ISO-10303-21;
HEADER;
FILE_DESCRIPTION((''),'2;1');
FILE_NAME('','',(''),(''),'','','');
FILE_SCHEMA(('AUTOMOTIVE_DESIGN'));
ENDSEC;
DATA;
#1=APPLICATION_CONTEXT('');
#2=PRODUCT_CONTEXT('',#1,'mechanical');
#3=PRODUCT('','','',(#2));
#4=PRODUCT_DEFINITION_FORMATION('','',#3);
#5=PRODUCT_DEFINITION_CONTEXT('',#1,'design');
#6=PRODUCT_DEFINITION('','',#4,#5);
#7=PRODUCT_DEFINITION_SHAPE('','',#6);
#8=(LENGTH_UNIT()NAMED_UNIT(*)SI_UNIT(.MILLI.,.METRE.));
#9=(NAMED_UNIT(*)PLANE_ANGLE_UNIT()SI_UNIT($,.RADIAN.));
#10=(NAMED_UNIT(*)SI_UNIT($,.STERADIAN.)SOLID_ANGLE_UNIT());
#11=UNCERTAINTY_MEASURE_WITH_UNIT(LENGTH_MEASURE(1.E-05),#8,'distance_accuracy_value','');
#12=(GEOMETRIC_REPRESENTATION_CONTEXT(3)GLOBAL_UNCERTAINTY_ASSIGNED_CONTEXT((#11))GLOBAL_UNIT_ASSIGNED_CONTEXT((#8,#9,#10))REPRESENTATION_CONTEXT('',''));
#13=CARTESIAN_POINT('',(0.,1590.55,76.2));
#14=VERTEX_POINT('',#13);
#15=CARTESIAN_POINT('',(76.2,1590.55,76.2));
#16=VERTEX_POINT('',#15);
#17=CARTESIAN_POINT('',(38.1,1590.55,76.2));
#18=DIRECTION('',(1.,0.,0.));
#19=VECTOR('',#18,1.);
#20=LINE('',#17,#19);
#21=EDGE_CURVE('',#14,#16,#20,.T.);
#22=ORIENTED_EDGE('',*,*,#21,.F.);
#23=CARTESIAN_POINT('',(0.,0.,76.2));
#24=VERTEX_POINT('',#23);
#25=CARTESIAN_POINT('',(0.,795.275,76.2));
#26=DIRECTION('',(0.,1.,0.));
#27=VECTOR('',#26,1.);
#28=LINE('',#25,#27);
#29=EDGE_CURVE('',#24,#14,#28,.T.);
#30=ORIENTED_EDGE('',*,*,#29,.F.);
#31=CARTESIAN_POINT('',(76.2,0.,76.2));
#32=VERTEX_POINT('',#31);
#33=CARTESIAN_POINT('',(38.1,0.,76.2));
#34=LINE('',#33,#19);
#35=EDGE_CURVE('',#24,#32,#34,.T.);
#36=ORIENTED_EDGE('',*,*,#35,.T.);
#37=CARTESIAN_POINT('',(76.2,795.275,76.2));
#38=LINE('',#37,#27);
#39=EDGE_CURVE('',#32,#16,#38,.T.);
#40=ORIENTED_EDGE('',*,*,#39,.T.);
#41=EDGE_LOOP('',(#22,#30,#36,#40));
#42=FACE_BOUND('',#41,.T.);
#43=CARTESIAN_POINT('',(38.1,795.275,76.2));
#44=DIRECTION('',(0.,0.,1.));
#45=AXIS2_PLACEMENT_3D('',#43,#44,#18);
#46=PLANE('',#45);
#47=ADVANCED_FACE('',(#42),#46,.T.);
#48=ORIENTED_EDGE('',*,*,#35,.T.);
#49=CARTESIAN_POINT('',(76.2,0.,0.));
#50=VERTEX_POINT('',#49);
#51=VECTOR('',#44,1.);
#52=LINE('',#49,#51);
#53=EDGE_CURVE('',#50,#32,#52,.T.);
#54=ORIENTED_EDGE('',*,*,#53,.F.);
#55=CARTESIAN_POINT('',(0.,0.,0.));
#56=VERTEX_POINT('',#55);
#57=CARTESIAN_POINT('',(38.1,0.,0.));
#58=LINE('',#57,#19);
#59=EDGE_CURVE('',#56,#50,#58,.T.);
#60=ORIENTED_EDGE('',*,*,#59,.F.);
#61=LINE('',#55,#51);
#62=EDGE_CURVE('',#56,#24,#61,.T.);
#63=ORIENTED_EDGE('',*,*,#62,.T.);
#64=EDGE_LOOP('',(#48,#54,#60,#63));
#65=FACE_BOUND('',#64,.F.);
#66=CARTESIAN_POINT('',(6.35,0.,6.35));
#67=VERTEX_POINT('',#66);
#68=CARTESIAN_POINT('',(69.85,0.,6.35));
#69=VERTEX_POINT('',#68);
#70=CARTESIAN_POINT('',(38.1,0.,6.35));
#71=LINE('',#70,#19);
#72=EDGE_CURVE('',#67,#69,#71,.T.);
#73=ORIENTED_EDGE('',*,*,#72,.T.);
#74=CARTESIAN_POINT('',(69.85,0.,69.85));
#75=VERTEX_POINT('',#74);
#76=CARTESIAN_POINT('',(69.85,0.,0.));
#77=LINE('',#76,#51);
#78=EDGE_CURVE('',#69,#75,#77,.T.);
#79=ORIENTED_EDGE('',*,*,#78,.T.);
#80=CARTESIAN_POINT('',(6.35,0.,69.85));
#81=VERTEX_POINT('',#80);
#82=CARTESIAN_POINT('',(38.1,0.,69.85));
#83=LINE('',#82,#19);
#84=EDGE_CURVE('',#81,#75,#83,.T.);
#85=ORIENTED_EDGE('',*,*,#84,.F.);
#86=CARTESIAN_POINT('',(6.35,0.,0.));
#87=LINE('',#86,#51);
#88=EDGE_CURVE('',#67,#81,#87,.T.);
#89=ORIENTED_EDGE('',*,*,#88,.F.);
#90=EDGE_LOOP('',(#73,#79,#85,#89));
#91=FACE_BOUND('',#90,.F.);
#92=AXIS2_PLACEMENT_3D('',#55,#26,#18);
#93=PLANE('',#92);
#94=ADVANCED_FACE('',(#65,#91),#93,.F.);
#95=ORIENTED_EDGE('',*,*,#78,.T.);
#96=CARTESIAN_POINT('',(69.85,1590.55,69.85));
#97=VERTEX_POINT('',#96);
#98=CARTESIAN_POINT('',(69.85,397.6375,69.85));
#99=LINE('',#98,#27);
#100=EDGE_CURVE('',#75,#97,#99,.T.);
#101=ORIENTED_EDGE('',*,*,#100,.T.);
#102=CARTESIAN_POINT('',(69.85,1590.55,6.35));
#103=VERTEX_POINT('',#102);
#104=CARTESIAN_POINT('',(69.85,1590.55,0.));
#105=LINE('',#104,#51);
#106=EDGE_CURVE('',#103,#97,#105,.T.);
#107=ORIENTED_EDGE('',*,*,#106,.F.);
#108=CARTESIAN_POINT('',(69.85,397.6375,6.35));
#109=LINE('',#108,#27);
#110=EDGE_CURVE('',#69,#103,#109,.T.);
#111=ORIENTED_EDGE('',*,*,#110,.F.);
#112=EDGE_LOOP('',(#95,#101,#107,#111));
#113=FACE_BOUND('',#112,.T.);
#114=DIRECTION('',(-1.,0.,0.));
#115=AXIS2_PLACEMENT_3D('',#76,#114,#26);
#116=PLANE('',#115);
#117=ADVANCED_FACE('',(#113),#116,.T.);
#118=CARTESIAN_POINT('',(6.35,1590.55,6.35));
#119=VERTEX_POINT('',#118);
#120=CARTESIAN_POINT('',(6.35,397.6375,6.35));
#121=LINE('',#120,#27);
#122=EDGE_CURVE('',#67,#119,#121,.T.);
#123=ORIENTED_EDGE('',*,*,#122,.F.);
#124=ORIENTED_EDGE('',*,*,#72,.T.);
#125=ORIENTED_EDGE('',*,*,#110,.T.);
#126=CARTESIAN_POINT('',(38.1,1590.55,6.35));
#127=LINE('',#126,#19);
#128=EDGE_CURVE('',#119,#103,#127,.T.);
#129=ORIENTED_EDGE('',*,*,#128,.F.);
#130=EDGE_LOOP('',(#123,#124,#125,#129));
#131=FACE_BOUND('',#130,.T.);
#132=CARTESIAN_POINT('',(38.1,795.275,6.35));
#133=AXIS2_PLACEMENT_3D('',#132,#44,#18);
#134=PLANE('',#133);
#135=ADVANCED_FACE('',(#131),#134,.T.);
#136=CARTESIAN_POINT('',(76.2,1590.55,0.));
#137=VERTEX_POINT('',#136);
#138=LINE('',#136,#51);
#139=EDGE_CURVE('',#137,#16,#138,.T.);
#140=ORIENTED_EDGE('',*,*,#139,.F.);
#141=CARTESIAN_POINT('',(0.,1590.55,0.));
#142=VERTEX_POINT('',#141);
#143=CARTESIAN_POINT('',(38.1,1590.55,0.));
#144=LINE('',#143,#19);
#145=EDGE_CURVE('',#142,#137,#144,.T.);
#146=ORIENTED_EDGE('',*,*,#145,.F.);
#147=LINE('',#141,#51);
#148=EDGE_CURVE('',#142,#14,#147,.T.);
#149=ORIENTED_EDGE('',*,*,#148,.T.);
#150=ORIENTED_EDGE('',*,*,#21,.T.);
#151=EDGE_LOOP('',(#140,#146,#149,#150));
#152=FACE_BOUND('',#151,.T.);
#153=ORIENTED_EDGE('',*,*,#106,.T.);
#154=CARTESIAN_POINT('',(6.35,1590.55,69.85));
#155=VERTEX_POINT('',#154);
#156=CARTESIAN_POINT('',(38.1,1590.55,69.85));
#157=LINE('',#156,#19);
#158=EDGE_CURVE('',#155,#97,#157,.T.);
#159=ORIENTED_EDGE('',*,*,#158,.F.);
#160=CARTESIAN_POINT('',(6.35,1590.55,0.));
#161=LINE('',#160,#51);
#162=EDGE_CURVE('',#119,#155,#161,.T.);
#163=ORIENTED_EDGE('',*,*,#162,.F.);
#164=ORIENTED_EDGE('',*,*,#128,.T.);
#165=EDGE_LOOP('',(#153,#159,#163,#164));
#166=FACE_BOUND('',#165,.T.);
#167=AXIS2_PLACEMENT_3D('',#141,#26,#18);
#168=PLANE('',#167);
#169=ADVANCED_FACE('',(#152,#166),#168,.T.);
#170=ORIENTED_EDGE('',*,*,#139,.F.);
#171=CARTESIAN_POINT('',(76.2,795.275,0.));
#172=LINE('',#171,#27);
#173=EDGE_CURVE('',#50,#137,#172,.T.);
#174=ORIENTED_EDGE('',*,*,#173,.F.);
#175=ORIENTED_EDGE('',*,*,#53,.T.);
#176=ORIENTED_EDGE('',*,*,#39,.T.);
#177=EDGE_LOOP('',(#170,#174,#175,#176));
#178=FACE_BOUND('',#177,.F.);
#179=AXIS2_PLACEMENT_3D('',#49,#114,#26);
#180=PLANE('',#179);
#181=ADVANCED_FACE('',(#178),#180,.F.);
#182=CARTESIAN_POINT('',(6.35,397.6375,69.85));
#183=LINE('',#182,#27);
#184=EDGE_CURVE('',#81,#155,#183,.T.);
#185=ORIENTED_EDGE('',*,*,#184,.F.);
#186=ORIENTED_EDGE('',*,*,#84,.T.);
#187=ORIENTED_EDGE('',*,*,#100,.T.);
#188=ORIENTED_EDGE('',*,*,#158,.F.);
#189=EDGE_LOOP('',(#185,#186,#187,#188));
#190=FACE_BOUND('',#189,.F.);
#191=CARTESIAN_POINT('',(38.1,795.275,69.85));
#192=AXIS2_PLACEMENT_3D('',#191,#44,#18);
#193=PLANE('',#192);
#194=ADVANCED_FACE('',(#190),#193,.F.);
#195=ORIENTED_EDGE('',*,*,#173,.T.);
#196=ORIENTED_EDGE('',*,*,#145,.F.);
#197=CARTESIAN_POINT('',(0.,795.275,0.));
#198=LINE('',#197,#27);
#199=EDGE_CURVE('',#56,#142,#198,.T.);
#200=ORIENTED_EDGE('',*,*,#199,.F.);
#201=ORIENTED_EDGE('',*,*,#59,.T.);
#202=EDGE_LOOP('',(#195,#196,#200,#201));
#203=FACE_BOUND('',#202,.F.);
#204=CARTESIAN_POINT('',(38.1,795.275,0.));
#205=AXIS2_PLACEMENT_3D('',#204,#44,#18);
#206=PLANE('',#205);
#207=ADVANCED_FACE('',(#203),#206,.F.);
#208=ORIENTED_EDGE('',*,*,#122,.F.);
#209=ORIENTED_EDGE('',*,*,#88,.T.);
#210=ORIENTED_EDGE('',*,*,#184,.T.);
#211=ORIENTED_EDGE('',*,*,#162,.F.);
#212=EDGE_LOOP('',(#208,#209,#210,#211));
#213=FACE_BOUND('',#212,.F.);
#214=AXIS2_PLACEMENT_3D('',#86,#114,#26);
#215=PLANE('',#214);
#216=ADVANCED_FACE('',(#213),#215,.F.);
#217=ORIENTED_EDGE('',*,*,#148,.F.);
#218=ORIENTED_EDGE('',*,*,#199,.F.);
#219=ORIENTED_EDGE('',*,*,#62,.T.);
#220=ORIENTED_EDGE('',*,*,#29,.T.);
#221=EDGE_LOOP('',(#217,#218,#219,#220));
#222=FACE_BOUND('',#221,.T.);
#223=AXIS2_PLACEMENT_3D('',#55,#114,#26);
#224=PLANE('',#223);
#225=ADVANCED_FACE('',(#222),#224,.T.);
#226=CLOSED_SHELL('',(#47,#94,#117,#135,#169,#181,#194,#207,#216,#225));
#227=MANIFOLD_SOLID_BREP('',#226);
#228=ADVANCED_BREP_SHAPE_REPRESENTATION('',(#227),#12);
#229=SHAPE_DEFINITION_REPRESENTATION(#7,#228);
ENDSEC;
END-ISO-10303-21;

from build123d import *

# Parameters (mm, degrees)
BOX_W       = 76.2
BOX_H       = 1590.55
BOX_DEPTH   = 76.2
THICKNESS_T = -6.35


with BuildPart() as part:
    # Box → Box (new body)
    with BuildSketch(Plane.XY):
        with Locations((38.1, 795.275)):
            Rectangle(BOX_W, BOX_H)
    extrude(amount=BOX_DEPTH)

    # Thickness
    thickness_openings = [part.faces().sort_by_distance(p)[0] for p in [
        (38.1, 0, 38.1),
        (38.1, 1590.55, 38.1),
    ]]
    offset(amount=THICKNESS_T, openings=thickness_openings)


solid = part.part
